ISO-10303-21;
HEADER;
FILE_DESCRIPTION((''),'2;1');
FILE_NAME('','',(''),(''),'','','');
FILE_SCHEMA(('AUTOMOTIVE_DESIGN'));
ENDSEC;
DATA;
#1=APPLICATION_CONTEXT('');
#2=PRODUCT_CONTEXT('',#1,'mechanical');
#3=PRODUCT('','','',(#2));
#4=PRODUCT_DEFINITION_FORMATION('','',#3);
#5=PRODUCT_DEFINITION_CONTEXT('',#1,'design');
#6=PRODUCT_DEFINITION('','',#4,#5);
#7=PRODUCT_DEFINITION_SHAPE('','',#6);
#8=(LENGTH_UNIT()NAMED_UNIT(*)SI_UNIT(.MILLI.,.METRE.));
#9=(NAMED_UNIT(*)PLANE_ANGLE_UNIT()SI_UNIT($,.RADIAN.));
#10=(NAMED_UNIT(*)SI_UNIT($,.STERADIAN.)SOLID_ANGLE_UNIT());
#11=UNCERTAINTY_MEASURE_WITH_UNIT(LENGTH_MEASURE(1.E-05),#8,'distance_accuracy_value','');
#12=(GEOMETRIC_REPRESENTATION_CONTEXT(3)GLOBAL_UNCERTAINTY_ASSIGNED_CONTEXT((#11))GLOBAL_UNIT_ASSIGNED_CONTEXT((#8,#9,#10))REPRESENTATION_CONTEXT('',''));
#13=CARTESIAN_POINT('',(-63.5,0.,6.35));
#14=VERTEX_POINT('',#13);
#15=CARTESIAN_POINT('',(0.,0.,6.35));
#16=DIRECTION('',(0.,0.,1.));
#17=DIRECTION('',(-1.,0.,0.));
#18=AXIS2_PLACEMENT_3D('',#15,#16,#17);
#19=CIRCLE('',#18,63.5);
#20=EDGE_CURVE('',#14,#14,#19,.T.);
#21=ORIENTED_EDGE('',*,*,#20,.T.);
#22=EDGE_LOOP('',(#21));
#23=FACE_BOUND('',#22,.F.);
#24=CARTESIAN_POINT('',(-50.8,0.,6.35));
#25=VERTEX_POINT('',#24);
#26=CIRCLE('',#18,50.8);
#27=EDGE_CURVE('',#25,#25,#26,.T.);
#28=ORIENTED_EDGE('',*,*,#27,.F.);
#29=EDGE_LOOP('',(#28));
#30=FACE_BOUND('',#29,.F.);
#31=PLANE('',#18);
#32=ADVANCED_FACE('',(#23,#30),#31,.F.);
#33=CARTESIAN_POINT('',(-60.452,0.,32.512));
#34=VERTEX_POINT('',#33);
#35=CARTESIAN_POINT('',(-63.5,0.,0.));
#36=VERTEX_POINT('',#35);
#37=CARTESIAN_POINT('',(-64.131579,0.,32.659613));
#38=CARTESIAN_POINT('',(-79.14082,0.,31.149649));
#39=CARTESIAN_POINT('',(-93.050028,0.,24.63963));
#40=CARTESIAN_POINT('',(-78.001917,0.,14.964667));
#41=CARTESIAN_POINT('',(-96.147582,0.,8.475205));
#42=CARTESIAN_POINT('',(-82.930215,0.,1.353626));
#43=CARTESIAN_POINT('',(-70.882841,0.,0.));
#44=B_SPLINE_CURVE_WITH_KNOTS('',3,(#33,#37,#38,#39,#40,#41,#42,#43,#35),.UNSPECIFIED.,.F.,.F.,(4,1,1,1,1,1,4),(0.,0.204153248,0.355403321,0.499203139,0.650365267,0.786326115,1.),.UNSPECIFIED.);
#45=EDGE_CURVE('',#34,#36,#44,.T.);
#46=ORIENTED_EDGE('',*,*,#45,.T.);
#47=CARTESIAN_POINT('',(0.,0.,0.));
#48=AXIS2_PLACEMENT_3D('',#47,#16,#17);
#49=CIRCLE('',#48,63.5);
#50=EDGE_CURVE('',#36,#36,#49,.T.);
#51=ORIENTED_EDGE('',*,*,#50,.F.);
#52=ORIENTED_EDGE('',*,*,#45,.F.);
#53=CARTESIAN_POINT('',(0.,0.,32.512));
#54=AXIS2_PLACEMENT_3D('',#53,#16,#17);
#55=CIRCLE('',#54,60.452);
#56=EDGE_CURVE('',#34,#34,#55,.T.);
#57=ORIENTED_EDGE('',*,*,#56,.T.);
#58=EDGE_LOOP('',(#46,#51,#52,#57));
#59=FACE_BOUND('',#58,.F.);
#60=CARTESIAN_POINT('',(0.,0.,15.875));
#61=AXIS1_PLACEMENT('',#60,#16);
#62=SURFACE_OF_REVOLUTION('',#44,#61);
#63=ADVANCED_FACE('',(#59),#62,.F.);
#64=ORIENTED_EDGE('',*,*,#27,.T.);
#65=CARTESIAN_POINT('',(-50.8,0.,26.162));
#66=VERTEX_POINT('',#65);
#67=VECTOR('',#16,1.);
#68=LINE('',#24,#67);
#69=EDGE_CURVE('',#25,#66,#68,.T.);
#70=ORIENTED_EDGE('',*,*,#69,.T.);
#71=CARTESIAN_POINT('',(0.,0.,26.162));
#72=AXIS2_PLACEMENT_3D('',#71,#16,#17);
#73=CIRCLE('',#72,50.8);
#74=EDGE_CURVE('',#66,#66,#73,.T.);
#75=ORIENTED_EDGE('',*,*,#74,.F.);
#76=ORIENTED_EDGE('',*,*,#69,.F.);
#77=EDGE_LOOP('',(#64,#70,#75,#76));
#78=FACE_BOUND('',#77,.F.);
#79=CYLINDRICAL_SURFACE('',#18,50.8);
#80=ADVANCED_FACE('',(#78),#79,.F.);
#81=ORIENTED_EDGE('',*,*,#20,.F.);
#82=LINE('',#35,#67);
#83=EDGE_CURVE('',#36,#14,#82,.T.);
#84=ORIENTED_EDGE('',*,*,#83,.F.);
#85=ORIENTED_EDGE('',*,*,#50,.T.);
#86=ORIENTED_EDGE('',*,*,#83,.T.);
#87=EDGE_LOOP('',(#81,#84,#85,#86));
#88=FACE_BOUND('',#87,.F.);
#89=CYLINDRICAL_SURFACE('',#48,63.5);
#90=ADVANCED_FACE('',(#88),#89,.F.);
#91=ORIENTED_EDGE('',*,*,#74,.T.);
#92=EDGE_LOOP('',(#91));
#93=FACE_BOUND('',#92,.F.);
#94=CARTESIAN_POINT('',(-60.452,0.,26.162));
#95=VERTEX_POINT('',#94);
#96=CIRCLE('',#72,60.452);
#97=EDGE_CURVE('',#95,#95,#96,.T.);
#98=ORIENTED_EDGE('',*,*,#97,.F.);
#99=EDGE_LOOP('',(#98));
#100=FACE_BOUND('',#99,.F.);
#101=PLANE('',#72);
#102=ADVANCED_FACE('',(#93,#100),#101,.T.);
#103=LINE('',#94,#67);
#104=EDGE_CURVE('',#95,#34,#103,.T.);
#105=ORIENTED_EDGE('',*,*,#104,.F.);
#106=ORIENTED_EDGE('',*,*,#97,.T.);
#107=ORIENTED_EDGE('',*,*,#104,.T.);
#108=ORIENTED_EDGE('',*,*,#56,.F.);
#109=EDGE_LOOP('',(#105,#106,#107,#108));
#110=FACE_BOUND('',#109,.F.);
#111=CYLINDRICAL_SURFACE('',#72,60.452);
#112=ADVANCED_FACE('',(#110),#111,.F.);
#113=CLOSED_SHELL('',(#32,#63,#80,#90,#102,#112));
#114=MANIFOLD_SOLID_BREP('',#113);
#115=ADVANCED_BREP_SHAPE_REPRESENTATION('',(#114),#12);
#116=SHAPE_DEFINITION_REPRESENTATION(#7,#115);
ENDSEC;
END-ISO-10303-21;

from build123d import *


with BuildPart() as f2:
    # F1 (on Front) → F2 (revolve)
    with BuildSketch(Plane.XZ):
        with BuildLine():
            Line((-50.8, 26.162), (-60.452, 26.162))
            Line((-60.452, 26.162), (-60.452, 32.512))
            add(Edge.make_bspline(
                [(-60.452, 32.512), (-64.1315789023, 32.659612838), (-79.1408199791, 31.1496489087), (-93.0500279022, 24.6396298819), (-78.0019171098, 14.964666804), (-96.1475821679, 8.4752049923), (-82.9302150348, 1.353626365), (-70.8828414945, 0), (-63.5, 0)],
                knots=[0, 0, 0, 0, 0.2041532476, 0.3554033205, 0.499203139, 0.6503652671, 0.7863261148, 1, 1, 1, 1], degree=3))
            Line((-63.5, 0), (-63.5, 6.35))
            Line((-63.5, 6.35), (-50.8, 6.35))
            Line((-50.8, 6.35), (-50.8, 26.162))
        make_face()
    revolve(axis=Axis((0, 0, 15.875), (0, 0, 1)))


solid = f2.part
